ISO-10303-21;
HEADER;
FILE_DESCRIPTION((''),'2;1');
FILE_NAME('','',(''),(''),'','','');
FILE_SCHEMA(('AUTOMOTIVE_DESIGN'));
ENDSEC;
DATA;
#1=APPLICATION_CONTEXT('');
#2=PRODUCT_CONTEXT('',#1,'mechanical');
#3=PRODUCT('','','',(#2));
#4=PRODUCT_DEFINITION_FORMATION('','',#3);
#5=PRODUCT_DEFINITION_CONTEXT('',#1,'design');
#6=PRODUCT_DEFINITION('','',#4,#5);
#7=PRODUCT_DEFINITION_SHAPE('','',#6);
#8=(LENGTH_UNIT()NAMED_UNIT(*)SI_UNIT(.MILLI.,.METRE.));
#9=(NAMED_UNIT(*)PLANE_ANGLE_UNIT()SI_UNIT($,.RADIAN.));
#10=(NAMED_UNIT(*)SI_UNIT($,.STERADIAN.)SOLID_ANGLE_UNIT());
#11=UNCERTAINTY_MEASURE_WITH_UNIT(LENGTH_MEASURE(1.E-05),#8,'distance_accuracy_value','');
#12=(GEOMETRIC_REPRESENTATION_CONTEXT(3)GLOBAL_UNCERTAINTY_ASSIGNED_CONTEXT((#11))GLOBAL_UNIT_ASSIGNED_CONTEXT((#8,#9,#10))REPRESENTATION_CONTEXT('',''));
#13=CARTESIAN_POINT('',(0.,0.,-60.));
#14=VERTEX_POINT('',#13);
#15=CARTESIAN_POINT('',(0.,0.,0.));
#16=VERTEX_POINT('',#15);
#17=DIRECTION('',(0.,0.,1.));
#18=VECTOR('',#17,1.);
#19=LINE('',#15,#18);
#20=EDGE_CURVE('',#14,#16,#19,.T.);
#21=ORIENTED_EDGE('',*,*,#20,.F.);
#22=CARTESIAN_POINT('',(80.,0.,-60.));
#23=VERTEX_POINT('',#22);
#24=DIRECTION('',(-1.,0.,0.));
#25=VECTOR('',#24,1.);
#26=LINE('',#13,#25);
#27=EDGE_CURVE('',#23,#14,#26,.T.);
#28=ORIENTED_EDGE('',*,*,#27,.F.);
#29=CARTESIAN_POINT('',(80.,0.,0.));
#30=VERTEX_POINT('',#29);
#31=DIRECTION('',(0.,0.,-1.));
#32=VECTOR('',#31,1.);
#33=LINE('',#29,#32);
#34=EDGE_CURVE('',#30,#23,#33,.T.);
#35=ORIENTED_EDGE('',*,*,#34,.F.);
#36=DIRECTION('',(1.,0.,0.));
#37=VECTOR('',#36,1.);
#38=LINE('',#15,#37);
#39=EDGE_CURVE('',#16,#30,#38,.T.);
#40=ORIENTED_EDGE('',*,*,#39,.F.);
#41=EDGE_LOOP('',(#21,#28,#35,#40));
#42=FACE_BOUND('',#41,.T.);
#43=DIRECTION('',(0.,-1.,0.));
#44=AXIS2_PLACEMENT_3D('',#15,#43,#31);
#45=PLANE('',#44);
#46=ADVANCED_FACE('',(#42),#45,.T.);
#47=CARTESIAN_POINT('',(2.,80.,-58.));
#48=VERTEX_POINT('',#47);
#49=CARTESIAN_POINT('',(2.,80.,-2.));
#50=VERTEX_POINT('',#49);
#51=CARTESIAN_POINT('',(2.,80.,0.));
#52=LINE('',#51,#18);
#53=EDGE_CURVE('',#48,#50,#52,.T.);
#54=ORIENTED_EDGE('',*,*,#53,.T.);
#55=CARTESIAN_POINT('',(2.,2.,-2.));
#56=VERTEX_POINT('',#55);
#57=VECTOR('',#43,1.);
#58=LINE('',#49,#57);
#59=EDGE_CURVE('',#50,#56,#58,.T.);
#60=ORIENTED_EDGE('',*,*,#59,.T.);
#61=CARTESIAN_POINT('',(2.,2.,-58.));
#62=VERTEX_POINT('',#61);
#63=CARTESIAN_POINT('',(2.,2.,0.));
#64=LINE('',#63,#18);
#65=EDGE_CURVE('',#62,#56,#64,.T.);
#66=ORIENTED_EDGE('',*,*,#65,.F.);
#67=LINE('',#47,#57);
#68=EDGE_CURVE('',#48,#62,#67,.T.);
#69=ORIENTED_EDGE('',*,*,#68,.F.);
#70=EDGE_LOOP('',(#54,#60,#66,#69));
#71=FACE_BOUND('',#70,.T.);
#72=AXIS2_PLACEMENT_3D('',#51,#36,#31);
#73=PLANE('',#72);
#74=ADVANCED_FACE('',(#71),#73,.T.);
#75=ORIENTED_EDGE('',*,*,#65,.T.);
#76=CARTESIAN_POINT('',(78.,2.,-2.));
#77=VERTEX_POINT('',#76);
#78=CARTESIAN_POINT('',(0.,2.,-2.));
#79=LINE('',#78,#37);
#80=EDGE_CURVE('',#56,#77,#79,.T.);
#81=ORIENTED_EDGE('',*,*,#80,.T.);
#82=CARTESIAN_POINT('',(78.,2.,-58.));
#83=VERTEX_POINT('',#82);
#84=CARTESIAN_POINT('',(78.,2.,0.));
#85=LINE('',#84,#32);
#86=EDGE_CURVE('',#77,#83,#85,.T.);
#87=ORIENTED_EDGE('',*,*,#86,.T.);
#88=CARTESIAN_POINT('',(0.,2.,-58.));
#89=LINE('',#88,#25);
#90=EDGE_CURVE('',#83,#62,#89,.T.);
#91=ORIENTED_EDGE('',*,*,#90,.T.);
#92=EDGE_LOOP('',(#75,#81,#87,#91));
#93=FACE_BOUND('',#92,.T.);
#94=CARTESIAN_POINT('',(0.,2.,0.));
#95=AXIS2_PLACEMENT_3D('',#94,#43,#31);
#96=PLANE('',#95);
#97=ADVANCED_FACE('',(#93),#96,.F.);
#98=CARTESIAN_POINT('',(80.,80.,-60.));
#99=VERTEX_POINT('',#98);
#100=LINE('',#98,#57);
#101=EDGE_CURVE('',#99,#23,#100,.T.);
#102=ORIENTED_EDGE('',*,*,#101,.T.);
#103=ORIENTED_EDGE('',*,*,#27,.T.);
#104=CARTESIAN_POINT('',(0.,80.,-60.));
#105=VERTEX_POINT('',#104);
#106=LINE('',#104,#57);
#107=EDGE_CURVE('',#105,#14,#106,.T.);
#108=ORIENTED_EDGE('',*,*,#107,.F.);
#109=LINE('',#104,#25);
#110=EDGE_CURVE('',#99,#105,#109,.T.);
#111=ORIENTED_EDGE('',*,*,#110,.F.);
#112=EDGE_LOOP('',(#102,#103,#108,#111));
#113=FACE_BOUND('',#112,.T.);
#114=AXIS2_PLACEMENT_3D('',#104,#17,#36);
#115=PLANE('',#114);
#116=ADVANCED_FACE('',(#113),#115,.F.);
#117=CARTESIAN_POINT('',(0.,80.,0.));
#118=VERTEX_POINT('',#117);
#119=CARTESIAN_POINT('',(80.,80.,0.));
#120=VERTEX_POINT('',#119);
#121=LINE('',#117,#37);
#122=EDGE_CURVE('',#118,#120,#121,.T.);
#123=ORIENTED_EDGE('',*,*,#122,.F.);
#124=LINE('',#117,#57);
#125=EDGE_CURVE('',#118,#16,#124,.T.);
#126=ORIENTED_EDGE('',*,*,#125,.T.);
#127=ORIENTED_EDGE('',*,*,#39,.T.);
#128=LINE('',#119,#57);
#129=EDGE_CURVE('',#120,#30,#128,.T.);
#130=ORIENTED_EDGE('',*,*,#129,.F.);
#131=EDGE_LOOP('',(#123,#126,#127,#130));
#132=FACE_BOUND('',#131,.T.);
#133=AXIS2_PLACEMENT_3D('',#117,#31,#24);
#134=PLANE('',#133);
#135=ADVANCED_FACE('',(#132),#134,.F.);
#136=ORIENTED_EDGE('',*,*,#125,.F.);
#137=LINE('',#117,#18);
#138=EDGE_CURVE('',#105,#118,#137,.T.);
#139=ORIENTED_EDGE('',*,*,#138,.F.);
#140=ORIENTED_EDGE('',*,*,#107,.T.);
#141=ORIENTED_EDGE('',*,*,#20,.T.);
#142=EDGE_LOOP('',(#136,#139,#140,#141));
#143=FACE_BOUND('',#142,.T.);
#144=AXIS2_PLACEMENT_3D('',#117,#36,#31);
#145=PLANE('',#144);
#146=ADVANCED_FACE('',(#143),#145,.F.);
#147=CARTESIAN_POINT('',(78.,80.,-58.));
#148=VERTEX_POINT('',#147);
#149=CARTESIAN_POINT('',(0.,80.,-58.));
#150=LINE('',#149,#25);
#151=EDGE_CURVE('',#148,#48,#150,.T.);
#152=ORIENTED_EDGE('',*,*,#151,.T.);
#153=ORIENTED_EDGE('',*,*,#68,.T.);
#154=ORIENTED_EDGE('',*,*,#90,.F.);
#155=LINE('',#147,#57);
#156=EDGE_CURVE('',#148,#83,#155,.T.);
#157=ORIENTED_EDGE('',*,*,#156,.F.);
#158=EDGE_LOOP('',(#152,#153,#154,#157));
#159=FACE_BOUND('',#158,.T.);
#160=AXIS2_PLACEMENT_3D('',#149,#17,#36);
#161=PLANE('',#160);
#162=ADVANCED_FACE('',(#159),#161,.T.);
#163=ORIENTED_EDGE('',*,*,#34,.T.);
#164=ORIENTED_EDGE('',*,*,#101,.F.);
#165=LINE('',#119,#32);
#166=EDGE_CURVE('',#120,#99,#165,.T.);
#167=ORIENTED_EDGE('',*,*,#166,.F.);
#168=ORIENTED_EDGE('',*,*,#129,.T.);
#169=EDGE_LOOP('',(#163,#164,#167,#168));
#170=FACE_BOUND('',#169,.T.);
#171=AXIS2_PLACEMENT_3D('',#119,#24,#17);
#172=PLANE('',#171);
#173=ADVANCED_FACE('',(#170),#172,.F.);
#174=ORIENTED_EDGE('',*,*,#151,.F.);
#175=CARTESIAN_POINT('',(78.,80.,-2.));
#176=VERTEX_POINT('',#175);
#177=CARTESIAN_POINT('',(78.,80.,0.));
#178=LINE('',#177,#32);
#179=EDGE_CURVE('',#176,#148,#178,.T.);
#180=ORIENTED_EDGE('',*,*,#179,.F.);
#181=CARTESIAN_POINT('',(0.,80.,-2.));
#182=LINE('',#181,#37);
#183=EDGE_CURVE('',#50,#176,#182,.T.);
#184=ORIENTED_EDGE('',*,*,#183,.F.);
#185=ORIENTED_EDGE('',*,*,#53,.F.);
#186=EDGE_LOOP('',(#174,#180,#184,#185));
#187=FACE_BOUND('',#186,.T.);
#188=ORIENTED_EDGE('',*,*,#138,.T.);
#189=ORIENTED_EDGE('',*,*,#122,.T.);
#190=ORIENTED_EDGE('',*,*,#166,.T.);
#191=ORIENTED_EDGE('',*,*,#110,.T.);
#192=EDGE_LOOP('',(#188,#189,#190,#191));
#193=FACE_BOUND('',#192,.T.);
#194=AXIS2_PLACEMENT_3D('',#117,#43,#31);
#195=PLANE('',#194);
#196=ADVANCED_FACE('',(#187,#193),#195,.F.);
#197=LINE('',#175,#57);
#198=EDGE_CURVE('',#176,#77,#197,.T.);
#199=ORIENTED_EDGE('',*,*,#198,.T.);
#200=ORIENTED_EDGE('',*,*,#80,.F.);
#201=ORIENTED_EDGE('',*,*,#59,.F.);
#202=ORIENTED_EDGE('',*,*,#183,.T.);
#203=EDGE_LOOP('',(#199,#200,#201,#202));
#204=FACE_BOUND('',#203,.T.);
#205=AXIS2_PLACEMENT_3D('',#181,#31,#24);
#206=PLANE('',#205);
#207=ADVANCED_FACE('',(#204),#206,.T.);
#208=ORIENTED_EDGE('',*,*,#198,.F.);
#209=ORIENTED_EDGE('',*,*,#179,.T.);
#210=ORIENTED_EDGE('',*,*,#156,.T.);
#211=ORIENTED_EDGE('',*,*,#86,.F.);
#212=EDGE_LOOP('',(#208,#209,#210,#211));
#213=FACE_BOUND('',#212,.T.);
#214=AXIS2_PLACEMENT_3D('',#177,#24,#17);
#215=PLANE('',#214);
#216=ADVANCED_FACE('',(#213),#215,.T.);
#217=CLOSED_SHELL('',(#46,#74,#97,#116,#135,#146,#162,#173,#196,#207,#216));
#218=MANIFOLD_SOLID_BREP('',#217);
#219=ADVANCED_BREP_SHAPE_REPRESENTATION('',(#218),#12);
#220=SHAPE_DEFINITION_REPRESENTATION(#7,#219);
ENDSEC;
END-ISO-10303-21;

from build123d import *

# Parameters (mm, degrees)
SKETCH_1_W      = 80
SKETCH_1_H      = 60
EXTRUDE_1_DEPTH = 80
SHELL_1_T       = -2


with BuildPart() as part:
    # 草图1 → 凸台-拉伸1 (new body)
    with BuildSketch(Plane(origin=(0, 0, 0), x_dir=(1, 0, 0), z_dir=(0, 1, 0))):
        with Locations((40, 30)):
            Rectangle(SKETCH_1_W, SKETCH_1_H)
    extrude(amount=EXTRUDE_1_DEPTH)

    # 抽壳1
    shell_1_openings = [part.faces().sort_by_distance(p)[0] for p in [
        (40, 80, -30),
    ]]
    offset(amount=SHELL_1_T, openings=shell_1_openings, kind=Kind.INTERSECTION)


solid = part.part
